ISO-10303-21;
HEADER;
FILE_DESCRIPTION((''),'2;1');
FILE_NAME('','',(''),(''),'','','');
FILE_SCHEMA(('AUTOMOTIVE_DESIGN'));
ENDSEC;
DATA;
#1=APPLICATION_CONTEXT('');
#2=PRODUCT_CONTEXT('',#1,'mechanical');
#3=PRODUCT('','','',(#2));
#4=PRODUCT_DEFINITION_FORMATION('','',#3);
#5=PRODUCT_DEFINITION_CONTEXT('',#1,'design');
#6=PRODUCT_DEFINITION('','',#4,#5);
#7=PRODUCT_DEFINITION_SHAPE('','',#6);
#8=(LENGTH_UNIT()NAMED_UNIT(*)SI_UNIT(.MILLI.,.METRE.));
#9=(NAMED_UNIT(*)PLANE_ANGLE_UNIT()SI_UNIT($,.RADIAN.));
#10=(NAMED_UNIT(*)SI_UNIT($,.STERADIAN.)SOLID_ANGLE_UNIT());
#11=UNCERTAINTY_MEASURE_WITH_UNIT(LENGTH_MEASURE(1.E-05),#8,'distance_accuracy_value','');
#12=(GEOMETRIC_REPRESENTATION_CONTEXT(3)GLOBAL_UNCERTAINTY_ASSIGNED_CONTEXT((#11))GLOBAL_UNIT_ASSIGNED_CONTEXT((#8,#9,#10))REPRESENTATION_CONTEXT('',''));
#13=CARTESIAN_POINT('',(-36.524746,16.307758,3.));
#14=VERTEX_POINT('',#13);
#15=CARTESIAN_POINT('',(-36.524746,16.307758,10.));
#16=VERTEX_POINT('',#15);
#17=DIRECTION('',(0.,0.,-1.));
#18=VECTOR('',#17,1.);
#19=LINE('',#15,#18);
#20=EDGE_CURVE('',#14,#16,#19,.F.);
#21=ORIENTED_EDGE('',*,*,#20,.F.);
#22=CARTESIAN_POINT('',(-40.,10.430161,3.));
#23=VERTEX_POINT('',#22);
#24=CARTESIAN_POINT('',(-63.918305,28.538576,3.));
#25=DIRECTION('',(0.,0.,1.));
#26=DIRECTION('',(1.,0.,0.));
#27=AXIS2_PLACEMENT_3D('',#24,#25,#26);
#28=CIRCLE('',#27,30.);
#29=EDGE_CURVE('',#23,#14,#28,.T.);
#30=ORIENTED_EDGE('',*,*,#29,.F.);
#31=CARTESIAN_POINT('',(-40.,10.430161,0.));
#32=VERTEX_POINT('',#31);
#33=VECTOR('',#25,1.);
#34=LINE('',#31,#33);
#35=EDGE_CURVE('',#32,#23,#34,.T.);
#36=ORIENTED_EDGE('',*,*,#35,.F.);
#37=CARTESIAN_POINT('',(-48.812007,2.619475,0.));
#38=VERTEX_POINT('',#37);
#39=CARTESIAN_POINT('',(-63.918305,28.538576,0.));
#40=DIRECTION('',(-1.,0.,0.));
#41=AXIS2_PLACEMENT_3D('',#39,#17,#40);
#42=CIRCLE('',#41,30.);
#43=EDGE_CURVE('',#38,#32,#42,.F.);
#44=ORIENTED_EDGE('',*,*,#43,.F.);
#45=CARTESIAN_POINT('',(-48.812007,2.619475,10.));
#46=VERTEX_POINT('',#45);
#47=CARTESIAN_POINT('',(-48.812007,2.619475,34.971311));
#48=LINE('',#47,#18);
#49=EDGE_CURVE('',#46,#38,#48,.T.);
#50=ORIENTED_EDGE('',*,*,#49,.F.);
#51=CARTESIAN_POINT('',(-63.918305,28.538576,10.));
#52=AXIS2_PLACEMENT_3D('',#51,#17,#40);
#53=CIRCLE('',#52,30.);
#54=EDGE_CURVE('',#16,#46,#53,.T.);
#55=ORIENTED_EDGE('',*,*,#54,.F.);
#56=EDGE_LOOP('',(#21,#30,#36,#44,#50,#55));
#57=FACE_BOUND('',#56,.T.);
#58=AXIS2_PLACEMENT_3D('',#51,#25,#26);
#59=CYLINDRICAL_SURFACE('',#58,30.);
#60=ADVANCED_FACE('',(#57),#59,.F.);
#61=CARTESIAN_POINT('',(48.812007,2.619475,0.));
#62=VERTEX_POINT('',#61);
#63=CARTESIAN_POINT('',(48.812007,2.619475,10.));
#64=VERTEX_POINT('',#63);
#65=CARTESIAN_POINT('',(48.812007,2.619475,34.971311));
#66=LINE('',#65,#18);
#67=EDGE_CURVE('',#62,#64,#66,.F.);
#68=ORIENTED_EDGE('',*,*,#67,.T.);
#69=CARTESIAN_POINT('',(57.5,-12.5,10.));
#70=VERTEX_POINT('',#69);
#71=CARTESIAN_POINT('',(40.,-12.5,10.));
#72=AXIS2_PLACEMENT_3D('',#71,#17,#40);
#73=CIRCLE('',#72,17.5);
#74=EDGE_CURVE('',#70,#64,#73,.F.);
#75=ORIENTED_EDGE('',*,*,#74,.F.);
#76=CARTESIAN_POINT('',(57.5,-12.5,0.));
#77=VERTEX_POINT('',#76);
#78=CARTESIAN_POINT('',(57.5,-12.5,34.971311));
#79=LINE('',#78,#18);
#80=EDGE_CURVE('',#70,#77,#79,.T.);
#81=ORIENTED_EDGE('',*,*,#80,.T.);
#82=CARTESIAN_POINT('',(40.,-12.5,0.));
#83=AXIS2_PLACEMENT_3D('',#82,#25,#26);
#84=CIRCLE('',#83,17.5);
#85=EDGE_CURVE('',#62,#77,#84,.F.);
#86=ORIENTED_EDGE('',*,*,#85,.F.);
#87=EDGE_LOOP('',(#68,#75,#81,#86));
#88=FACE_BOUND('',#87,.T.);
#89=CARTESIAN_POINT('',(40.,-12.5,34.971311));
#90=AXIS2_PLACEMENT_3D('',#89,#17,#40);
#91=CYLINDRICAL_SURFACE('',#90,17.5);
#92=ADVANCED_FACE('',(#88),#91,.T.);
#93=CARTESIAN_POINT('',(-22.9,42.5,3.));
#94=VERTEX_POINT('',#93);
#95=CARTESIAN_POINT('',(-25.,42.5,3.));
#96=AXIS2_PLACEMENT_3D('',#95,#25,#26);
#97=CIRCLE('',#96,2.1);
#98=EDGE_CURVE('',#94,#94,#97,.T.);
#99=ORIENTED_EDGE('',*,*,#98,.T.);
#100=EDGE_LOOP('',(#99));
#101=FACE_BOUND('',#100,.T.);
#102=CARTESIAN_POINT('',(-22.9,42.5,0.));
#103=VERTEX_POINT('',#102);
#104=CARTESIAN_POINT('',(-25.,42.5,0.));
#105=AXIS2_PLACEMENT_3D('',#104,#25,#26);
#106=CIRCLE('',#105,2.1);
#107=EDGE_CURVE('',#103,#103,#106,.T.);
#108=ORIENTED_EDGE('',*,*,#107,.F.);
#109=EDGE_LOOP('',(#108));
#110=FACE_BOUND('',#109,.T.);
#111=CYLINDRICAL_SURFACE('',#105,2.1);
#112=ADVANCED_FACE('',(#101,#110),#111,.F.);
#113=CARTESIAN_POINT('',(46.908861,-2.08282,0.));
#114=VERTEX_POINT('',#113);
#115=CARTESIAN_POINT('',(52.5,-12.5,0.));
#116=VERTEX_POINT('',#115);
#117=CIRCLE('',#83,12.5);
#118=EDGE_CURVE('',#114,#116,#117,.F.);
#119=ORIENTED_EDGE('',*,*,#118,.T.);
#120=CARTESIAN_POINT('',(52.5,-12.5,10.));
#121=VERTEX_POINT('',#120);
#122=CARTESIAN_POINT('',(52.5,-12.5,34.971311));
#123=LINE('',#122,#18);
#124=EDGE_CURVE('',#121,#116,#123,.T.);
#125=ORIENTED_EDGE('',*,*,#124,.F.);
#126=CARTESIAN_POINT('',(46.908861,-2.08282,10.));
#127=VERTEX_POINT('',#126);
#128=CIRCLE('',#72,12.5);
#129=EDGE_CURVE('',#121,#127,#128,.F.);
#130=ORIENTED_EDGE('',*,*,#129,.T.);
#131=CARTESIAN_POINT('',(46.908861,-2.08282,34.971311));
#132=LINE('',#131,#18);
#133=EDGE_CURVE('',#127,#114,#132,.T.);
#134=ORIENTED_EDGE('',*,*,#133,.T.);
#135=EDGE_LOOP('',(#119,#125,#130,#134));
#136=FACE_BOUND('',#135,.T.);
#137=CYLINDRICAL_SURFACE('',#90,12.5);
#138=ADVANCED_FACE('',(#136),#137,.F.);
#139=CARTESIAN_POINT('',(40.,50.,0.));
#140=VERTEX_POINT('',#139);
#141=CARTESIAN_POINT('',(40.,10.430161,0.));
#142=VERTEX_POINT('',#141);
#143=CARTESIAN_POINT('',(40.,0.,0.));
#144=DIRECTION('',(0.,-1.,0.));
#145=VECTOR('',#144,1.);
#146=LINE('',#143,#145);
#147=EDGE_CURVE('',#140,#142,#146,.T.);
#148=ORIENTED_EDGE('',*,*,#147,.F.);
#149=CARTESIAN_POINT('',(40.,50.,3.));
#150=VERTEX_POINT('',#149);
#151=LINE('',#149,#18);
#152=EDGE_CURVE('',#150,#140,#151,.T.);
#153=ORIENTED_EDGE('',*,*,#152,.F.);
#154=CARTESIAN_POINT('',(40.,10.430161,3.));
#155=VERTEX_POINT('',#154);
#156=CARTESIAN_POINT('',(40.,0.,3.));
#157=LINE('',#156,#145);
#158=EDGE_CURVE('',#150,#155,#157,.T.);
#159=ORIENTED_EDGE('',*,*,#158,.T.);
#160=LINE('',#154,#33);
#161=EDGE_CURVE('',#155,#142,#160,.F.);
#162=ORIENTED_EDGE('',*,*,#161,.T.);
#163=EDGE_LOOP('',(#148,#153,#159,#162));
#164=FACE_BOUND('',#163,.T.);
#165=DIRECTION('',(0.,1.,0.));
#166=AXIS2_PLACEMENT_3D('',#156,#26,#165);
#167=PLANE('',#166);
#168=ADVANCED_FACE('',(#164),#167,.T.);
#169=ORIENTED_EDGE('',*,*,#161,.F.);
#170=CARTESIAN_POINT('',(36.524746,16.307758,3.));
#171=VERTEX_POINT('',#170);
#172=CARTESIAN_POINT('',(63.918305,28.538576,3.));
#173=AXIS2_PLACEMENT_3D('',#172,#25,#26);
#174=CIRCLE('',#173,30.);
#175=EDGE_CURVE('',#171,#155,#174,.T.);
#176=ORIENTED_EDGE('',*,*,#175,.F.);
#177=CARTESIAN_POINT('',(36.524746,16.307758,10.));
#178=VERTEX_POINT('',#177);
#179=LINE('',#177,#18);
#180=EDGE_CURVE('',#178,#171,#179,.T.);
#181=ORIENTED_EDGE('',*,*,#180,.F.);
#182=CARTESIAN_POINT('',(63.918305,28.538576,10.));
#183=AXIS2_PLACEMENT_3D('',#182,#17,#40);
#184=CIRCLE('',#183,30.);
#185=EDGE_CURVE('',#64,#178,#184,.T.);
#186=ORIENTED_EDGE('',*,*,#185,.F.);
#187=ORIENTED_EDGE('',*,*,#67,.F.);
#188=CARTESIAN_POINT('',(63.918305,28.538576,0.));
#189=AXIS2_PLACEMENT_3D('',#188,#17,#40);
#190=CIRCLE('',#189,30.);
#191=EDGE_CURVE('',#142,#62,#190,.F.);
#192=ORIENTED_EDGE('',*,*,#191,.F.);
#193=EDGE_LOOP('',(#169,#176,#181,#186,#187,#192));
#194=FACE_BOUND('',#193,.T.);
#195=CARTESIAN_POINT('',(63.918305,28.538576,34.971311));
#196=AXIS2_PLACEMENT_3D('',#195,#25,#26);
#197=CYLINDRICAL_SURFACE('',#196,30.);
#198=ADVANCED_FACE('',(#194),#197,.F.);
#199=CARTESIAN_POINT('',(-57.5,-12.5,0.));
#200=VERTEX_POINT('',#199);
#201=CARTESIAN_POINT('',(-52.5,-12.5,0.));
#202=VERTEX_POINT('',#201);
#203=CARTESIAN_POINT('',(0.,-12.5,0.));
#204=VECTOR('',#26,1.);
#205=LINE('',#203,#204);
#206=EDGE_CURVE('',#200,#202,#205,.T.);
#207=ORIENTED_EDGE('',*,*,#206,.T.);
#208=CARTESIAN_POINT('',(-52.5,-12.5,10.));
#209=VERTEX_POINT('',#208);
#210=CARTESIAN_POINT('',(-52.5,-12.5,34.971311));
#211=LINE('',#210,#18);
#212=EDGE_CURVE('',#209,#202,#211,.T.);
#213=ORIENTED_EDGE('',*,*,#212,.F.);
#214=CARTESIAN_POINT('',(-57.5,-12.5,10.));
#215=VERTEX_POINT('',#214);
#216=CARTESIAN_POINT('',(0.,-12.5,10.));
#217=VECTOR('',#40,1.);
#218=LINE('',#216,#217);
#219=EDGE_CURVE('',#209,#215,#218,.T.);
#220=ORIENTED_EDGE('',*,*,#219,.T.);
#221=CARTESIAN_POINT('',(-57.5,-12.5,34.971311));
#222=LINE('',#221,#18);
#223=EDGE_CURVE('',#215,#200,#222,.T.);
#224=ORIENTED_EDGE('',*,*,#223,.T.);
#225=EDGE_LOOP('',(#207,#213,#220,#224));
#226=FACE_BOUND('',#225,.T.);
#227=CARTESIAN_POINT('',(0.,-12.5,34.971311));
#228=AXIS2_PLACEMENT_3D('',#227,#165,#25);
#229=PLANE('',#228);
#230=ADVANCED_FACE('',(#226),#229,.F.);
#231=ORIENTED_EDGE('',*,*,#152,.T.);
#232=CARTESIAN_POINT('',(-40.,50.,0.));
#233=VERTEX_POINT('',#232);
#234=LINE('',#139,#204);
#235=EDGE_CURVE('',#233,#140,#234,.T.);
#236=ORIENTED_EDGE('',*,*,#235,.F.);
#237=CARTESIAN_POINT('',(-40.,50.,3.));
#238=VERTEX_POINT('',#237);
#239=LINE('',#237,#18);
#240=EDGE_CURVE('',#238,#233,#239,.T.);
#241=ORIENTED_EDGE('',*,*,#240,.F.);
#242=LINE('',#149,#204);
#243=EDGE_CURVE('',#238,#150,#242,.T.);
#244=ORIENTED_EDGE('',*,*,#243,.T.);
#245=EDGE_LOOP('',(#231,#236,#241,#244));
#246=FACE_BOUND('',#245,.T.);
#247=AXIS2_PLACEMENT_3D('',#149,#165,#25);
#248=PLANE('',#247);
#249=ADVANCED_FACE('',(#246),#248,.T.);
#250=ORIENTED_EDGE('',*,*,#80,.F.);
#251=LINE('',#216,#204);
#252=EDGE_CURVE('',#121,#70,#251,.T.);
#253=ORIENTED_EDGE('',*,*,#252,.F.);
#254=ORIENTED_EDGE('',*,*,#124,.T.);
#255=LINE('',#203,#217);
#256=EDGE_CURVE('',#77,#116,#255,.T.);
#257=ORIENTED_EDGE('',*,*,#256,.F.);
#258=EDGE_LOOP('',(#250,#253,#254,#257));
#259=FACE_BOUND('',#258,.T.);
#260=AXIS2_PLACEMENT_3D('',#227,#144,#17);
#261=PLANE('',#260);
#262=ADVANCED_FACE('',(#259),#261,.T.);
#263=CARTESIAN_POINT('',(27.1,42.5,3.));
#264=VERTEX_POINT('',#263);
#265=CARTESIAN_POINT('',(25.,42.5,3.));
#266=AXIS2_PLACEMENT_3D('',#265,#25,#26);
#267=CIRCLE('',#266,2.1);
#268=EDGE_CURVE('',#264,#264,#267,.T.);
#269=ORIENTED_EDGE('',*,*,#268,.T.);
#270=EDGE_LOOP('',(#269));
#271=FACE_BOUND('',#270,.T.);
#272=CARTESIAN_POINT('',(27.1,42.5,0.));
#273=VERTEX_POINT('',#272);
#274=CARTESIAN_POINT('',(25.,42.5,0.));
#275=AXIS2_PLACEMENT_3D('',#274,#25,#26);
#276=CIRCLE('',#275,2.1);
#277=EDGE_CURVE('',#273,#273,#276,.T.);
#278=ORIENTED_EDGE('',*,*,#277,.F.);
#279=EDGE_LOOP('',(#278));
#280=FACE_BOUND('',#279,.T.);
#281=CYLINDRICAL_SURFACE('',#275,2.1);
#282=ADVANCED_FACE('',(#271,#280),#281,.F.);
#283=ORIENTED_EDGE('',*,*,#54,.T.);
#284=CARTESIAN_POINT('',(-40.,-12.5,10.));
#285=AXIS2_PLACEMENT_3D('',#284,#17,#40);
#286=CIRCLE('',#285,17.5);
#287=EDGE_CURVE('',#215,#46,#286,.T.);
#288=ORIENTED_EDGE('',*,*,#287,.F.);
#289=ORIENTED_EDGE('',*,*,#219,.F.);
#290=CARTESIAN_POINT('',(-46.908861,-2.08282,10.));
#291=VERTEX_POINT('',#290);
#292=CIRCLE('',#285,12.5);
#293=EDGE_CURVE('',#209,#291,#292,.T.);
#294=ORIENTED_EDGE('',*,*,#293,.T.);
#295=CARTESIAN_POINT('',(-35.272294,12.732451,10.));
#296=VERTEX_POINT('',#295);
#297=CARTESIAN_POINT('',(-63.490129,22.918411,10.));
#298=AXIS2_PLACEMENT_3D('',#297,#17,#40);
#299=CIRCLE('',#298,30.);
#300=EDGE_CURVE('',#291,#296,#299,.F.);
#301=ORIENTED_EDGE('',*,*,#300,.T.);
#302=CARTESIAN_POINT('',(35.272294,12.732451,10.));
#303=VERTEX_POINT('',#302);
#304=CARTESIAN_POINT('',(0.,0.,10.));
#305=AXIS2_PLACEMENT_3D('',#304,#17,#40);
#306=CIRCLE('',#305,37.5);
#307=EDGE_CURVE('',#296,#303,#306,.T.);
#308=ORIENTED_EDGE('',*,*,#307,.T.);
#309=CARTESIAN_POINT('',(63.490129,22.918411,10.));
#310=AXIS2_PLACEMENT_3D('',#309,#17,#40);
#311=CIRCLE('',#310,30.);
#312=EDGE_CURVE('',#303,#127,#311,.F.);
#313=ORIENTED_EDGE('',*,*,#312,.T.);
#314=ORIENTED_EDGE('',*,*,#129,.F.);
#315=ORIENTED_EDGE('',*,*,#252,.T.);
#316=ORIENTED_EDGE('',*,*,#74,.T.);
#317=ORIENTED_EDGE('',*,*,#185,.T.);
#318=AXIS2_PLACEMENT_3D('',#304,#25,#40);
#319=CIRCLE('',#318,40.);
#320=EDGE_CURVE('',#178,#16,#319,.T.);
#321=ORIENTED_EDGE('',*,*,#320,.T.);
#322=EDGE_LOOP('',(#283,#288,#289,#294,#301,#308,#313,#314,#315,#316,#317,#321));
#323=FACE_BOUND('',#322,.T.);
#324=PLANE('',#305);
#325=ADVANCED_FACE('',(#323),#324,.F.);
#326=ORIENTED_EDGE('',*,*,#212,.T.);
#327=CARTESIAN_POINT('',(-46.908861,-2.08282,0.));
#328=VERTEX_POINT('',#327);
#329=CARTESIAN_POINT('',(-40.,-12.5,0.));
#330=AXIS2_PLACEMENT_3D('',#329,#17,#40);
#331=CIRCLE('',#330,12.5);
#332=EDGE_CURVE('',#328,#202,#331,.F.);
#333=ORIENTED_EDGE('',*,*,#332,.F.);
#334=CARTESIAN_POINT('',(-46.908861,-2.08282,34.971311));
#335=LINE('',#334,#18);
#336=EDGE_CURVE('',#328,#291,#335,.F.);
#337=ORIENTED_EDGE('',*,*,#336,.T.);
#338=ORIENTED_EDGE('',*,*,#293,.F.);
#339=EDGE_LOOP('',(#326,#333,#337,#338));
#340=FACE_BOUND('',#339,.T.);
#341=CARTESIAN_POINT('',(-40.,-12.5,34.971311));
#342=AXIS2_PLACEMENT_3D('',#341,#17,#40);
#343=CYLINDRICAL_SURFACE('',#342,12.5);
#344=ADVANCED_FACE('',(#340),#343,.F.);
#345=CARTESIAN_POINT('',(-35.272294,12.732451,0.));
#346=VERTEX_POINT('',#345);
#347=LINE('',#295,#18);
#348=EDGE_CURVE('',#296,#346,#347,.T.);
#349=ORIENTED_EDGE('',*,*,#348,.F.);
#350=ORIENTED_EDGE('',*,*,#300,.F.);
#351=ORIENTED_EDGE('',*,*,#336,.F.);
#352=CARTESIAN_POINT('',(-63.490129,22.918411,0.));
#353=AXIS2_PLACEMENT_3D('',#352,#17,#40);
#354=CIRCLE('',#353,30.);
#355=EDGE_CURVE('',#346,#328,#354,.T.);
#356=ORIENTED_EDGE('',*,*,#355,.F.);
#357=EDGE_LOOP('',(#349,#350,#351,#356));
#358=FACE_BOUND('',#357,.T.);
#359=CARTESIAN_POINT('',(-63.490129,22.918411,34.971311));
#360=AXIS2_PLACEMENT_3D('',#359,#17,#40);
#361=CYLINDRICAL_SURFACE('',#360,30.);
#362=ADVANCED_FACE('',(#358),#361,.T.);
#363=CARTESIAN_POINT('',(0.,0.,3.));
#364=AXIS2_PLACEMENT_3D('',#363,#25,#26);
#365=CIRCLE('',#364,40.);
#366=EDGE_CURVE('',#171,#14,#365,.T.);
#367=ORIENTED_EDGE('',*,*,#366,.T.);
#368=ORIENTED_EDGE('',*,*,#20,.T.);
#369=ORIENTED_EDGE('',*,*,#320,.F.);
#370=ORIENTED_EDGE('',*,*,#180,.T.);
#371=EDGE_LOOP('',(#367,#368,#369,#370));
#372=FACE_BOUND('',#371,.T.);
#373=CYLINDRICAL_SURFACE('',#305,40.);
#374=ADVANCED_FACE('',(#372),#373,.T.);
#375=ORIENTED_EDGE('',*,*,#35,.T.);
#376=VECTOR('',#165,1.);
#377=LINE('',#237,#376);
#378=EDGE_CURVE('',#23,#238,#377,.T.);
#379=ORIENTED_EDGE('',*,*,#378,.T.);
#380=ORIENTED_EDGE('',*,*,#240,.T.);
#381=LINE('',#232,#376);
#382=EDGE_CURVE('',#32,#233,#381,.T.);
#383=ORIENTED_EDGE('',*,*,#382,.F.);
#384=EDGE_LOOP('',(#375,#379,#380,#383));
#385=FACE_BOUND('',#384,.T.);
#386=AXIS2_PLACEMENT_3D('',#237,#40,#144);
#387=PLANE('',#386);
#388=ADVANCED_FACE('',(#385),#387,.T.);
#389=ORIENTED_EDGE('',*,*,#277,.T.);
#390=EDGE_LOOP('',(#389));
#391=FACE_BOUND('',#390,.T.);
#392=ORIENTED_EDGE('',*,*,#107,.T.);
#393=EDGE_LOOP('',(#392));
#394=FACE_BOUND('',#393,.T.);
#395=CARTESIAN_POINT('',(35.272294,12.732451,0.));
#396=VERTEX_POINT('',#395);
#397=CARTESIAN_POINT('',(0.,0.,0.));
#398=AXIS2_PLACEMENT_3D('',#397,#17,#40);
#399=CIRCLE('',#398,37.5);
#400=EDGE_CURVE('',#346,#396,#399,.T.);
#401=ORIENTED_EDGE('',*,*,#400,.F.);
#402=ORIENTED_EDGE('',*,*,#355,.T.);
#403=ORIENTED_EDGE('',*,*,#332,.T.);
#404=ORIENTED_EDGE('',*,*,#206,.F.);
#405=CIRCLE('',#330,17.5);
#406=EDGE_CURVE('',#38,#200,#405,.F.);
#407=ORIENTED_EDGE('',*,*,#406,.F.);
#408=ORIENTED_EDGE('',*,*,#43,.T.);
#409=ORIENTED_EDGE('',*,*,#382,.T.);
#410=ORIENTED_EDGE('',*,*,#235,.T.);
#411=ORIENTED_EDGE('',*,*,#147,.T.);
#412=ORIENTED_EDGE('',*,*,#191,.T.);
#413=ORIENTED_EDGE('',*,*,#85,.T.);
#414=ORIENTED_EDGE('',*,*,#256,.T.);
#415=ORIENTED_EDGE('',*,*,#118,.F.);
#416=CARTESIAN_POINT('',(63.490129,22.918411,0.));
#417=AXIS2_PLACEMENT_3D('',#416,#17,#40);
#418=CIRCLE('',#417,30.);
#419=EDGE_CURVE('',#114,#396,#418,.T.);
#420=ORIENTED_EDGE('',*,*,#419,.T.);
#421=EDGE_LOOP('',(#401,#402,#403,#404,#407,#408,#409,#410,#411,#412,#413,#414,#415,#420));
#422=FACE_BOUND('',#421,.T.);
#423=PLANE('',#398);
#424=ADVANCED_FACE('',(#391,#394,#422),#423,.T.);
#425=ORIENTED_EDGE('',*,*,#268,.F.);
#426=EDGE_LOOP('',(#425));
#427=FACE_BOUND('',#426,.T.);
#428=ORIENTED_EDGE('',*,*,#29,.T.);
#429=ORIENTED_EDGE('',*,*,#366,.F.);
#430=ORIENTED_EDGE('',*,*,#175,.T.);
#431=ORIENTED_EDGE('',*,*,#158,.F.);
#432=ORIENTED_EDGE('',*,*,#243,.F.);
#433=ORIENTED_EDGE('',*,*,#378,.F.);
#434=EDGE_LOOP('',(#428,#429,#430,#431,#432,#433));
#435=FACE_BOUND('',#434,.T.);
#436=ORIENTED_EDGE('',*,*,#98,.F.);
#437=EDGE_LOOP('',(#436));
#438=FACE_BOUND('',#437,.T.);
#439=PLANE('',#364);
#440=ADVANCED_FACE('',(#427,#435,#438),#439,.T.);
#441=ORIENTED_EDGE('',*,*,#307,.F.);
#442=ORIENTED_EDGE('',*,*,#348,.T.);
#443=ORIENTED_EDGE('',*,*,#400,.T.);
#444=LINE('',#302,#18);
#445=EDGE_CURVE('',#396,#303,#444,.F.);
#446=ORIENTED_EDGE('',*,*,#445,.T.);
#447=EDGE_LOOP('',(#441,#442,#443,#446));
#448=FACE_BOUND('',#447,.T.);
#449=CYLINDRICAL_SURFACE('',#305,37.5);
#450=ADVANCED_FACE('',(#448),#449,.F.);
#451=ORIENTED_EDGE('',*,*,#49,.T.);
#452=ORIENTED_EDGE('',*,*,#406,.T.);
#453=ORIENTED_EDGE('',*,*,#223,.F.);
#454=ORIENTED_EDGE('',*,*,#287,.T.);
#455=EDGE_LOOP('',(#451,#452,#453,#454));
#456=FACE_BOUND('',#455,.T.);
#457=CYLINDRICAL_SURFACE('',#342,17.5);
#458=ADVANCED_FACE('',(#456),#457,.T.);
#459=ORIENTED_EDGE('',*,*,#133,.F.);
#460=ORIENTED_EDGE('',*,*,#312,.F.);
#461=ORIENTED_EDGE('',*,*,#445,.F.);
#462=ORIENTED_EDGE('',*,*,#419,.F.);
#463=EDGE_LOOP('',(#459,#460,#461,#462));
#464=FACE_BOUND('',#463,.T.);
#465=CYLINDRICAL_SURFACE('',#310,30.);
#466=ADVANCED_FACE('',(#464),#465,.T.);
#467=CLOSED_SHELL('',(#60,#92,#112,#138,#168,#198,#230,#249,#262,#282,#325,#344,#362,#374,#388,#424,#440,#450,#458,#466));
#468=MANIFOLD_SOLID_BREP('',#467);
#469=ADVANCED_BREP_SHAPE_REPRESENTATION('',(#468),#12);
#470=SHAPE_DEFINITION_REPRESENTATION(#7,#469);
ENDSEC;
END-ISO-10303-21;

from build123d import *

# Parameters (mm, degrees)
EXTRUDE_1_DEPTH     = 10
EXTRUDE_2_DEPTH     = 3
SKETCH_3_R          = 2.1
CUT_EXTRUDE_1_DEPTH = 65.41273166075166
EXTRUDE_START       = -10
EXTRUDE_5_DEPTH     = 10
FILLET_1_R          = 30
FILLET_2_R          = 30


with BuildPart() as part:
    # 草圖1 → 填料-伸長1 (new body)
    with BuildSketch(Plane.XY):
        with BuildLine():
            Line((-39.999999999999964, -7.633e-14), (-37.499999999999964, -7.633e-14))
            ThreePointArc((-37.499999999999964, -7.633e-14), (-4.02e-14, 37.499999999999964), (37.5, 0))
            Line((37.5, 0), (40, 0))
            ThreePointArc((40, 0), (-4.288e-14, 39.999999999999964), (-39.999999999999964, -7.633e-14))
        make_face()
    extrude(amount=EXTRUDE_1_DEPTH)

    # 草圖2 → 填料-伸長2 (add)
    with BuildSketch(Plane(origin=(0, 0, 0), x_dir=(-1, 0, 0), z_dir=(0, 0, -1))):
        with BuildLine():
            Line((-39.99999999999998, -2.7932e-13), (-40, 50))
            Line((-40, 50), (40, 50))
            Line((40, 50), (39.999999999999964, -7.633e-14))
            ThreePointArc((39.999999999999964, -7.633e-14), (-1.1393e-13, 39.99999999999998), (-39.99999999999998, -2.7932e-13))
        make_face()
    extrude(amount=-EXTRUDE_2_DEPTH)

    # 草圖3 → 除料-伸長1 (cut, through all)
    with BuildSketch(Plane.XY.offset(3)):
        with Locations((-25, 42.5)):
            Circle(SKETCH_3_R)
        with Locations((25, 42.5)):
            Circle(SKETCH_3_R)
    extrude(amount=-CUT_EXTRUDE_1_DEPTH, mode=Mode.SUBTRACT)

    # 草圖4 → 填料-伸長5 (add)
    with BuildSketch(Plane(origin=(0, 0, 0), x_dir=(-1, 0, 0), z_dir=(0, 0, -1)).offset(EXTRUDE_START)):
        with BuildLine():
            Line((52.49999999999998, -12.500000000000076), (57.49999999999997, -12.500000000000076))
            ThreePointArc((57.49999999999997, -12.500000000000076), (52.37436867076461, -0.12563132923555287), (40.00000000000013, 4.999999999999924))
            Line((39.999999999999964, 4.999999999999924), (39.999999999999964, -7.633e-14))
            ThreePointArc((39.999999999999964, -7.461e-14), (48.83883476483181, -3.6611652351682356), (52.49999999999998, -12.500000000000078))
        make_face()
        with BuildLine():
            Line((39.999999999999964, -7.633e-14), (39.999999999999964, 4.999999999999924))
            ThreePointArc((40.00000000000013, 4.999999999999924), (39.84330526776641, 4.999298464821022), (39.686623098603214, 4.9971939155302305))
            ThreePointArc((39.68662309860321, 4.997193915530231), (39.92157890129177, 2.5035051483740323), (39.99999999999996, -2.809e-14))
        make_face()
    extrude_5 = extrude(amount=EXTRUDE_5_DEPTH)

    # 鏡射1: 填料-伸長5 across plane
    add(extrude_5.mirror(Plane(origin=(0, 0, 0), x_dir=(0, 0, 1), z_dir=(1, 0, 0))))

    # 圓角1
    fillet_1_edges = [part.edges().sort_by_distance(p)[0] for p in [
        (37.5, 4.27e-15, 5),
        (-37.49999999999997, -7.633e-14, 5),
    ]]
    fillet(fillet_1_edges, radius=FILLET_1_R)

    # 圓角2
    fillet_2_edges = [part.edges().sort_by_distance(p)[0] for p in [
        (-39.68662309860321, 4.997193915530232, 6.5),
        (39.68662309860321, 4.997193915530232, 6.5),
    ]]
    fillet(fillet_2_edges, radius=FILLET_2_R)


solid = part.part
